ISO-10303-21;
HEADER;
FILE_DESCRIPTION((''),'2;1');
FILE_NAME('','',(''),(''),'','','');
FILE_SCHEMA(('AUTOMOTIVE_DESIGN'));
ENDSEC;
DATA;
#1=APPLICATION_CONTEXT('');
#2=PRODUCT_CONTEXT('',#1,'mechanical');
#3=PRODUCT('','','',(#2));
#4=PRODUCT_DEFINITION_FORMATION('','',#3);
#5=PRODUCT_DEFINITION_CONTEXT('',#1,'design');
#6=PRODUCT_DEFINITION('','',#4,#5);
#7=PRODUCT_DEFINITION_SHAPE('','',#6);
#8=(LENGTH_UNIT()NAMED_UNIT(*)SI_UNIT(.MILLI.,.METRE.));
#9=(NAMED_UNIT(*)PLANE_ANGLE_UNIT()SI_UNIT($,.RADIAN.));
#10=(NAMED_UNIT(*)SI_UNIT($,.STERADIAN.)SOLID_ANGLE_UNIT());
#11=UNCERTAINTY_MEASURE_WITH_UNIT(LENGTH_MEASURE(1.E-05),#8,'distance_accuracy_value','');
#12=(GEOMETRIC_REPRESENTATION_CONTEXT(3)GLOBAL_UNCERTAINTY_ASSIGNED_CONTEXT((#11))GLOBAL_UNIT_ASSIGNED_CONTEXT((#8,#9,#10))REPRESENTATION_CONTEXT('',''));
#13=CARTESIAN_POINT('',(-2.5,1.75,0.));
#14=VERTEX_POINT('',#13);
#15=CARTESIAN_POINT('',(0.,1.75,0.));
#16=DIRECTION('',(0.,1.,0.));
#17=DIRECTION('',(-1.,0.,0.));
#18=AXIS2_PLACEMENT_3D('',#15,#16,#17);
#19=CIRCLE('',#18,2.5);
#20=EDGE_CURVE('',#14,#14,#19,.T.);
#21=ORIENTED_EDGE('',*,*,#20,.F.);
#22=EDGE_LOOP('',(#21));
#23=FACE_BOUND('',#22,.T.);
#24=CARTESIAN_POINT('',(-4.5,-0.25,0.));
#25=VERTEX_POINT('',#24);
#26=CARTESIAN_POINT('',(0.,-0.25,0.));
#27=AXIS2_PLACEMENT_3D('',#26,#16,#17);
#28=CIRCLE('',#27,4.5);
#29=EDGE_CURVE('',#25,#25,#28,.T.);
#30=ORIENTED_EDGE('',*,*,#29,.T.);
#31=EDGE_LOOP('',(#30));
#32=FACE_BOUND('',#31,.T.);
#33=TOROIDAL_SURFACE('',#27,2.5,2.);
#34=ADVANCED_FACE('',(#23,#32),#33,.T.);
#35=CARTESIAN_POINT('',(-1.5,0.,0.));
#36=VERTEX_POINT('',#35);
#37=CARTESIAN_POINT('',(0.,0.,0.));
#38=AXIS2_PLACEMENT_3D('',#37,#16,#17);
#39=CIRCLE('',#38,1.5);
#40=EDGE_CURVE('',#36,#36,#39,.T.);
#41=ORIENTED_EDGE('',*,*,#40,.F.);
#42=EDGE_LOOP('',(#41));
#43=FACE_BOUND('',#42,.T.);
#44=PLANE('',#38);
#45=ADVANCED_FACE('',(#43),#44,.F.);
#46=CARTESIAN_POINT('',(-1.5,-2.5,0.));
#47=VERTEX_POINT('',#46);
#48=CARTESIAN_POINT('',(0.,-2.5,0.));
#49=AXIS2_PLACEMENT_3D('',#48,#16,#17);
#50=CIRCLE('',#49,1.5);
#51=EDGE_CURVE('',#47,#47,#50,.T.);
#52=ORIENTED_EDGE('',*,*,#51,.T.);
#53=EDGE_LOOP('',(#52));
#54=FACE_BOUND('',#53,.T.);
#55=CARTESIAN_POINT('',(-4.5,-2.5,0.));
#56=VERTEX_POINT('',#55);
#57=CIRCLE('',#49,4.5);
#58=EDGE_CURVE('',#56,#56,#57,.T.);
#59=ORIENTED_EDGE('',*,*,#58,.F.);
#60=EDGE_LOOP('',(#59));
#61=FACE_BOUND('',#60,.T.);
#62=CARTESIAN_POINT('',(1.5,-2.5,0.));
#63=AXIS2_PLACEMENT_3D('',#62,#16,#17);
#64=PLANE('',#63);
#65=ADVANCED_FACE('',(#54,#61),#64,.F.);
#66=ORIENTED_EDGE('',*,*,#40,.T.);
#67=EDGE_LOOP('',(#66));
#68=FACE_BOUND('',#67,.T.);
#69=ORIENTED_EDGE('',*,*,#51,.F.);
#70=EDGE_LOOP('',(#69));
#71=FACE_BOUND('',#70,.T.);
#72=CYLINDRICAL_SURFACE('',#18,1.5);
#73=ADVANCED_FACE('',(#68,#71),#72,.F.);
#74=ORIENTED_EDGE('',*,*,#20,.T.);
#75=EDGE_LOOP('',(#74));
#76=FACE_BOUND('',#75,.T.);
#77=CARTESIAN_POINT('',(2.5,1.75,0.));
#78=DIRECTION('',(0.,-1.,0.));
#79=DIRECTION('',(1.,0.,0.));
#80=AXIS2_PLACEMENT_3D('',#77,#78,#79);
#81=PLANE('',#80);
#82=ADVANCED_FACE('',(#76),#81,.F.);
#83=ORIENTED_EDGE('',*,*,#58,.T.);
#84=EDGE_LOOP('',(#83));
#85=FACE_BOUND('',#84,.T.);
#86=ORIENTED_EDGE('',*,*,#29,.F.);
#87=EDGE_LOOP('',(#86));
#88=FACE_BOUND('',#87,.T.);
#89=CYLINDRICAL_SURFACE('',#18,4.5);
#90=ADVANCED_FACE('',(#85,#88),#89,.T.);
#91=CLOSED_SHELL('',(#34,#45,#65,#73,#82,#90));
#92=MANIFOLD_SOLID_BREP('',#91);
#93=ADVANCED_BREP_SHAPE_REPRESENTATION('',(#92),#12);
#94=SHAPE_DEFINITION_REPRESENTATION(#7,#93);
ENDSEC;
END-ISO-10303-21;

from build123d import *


with BuildPart() as part:
    # Schizzo1 → Rivoluzione1 (revolve)
    with BuildSketch(Plane.XY):
        with BuildLine():
            Line((0, 0), (1.5, 0))
            Line((1.5, 0), (1.5, -2.5))
            Line((1.5, -2.5), (4.5, -2.5))
            Line((4.5, -2.5), (4.5, -0.25))
            ThreePointArc((4.5, -0.25), (3.914213562, 1.164213562), (2.5, 1.75))
            Line((2.5, 1.75), (0, 1.75))
            Line((0, 1.75), (0, 0))
        make_face()
    revolve(axis=Axis((0, 1.75, 0), (0, -1, 0)))


solid = part.part
